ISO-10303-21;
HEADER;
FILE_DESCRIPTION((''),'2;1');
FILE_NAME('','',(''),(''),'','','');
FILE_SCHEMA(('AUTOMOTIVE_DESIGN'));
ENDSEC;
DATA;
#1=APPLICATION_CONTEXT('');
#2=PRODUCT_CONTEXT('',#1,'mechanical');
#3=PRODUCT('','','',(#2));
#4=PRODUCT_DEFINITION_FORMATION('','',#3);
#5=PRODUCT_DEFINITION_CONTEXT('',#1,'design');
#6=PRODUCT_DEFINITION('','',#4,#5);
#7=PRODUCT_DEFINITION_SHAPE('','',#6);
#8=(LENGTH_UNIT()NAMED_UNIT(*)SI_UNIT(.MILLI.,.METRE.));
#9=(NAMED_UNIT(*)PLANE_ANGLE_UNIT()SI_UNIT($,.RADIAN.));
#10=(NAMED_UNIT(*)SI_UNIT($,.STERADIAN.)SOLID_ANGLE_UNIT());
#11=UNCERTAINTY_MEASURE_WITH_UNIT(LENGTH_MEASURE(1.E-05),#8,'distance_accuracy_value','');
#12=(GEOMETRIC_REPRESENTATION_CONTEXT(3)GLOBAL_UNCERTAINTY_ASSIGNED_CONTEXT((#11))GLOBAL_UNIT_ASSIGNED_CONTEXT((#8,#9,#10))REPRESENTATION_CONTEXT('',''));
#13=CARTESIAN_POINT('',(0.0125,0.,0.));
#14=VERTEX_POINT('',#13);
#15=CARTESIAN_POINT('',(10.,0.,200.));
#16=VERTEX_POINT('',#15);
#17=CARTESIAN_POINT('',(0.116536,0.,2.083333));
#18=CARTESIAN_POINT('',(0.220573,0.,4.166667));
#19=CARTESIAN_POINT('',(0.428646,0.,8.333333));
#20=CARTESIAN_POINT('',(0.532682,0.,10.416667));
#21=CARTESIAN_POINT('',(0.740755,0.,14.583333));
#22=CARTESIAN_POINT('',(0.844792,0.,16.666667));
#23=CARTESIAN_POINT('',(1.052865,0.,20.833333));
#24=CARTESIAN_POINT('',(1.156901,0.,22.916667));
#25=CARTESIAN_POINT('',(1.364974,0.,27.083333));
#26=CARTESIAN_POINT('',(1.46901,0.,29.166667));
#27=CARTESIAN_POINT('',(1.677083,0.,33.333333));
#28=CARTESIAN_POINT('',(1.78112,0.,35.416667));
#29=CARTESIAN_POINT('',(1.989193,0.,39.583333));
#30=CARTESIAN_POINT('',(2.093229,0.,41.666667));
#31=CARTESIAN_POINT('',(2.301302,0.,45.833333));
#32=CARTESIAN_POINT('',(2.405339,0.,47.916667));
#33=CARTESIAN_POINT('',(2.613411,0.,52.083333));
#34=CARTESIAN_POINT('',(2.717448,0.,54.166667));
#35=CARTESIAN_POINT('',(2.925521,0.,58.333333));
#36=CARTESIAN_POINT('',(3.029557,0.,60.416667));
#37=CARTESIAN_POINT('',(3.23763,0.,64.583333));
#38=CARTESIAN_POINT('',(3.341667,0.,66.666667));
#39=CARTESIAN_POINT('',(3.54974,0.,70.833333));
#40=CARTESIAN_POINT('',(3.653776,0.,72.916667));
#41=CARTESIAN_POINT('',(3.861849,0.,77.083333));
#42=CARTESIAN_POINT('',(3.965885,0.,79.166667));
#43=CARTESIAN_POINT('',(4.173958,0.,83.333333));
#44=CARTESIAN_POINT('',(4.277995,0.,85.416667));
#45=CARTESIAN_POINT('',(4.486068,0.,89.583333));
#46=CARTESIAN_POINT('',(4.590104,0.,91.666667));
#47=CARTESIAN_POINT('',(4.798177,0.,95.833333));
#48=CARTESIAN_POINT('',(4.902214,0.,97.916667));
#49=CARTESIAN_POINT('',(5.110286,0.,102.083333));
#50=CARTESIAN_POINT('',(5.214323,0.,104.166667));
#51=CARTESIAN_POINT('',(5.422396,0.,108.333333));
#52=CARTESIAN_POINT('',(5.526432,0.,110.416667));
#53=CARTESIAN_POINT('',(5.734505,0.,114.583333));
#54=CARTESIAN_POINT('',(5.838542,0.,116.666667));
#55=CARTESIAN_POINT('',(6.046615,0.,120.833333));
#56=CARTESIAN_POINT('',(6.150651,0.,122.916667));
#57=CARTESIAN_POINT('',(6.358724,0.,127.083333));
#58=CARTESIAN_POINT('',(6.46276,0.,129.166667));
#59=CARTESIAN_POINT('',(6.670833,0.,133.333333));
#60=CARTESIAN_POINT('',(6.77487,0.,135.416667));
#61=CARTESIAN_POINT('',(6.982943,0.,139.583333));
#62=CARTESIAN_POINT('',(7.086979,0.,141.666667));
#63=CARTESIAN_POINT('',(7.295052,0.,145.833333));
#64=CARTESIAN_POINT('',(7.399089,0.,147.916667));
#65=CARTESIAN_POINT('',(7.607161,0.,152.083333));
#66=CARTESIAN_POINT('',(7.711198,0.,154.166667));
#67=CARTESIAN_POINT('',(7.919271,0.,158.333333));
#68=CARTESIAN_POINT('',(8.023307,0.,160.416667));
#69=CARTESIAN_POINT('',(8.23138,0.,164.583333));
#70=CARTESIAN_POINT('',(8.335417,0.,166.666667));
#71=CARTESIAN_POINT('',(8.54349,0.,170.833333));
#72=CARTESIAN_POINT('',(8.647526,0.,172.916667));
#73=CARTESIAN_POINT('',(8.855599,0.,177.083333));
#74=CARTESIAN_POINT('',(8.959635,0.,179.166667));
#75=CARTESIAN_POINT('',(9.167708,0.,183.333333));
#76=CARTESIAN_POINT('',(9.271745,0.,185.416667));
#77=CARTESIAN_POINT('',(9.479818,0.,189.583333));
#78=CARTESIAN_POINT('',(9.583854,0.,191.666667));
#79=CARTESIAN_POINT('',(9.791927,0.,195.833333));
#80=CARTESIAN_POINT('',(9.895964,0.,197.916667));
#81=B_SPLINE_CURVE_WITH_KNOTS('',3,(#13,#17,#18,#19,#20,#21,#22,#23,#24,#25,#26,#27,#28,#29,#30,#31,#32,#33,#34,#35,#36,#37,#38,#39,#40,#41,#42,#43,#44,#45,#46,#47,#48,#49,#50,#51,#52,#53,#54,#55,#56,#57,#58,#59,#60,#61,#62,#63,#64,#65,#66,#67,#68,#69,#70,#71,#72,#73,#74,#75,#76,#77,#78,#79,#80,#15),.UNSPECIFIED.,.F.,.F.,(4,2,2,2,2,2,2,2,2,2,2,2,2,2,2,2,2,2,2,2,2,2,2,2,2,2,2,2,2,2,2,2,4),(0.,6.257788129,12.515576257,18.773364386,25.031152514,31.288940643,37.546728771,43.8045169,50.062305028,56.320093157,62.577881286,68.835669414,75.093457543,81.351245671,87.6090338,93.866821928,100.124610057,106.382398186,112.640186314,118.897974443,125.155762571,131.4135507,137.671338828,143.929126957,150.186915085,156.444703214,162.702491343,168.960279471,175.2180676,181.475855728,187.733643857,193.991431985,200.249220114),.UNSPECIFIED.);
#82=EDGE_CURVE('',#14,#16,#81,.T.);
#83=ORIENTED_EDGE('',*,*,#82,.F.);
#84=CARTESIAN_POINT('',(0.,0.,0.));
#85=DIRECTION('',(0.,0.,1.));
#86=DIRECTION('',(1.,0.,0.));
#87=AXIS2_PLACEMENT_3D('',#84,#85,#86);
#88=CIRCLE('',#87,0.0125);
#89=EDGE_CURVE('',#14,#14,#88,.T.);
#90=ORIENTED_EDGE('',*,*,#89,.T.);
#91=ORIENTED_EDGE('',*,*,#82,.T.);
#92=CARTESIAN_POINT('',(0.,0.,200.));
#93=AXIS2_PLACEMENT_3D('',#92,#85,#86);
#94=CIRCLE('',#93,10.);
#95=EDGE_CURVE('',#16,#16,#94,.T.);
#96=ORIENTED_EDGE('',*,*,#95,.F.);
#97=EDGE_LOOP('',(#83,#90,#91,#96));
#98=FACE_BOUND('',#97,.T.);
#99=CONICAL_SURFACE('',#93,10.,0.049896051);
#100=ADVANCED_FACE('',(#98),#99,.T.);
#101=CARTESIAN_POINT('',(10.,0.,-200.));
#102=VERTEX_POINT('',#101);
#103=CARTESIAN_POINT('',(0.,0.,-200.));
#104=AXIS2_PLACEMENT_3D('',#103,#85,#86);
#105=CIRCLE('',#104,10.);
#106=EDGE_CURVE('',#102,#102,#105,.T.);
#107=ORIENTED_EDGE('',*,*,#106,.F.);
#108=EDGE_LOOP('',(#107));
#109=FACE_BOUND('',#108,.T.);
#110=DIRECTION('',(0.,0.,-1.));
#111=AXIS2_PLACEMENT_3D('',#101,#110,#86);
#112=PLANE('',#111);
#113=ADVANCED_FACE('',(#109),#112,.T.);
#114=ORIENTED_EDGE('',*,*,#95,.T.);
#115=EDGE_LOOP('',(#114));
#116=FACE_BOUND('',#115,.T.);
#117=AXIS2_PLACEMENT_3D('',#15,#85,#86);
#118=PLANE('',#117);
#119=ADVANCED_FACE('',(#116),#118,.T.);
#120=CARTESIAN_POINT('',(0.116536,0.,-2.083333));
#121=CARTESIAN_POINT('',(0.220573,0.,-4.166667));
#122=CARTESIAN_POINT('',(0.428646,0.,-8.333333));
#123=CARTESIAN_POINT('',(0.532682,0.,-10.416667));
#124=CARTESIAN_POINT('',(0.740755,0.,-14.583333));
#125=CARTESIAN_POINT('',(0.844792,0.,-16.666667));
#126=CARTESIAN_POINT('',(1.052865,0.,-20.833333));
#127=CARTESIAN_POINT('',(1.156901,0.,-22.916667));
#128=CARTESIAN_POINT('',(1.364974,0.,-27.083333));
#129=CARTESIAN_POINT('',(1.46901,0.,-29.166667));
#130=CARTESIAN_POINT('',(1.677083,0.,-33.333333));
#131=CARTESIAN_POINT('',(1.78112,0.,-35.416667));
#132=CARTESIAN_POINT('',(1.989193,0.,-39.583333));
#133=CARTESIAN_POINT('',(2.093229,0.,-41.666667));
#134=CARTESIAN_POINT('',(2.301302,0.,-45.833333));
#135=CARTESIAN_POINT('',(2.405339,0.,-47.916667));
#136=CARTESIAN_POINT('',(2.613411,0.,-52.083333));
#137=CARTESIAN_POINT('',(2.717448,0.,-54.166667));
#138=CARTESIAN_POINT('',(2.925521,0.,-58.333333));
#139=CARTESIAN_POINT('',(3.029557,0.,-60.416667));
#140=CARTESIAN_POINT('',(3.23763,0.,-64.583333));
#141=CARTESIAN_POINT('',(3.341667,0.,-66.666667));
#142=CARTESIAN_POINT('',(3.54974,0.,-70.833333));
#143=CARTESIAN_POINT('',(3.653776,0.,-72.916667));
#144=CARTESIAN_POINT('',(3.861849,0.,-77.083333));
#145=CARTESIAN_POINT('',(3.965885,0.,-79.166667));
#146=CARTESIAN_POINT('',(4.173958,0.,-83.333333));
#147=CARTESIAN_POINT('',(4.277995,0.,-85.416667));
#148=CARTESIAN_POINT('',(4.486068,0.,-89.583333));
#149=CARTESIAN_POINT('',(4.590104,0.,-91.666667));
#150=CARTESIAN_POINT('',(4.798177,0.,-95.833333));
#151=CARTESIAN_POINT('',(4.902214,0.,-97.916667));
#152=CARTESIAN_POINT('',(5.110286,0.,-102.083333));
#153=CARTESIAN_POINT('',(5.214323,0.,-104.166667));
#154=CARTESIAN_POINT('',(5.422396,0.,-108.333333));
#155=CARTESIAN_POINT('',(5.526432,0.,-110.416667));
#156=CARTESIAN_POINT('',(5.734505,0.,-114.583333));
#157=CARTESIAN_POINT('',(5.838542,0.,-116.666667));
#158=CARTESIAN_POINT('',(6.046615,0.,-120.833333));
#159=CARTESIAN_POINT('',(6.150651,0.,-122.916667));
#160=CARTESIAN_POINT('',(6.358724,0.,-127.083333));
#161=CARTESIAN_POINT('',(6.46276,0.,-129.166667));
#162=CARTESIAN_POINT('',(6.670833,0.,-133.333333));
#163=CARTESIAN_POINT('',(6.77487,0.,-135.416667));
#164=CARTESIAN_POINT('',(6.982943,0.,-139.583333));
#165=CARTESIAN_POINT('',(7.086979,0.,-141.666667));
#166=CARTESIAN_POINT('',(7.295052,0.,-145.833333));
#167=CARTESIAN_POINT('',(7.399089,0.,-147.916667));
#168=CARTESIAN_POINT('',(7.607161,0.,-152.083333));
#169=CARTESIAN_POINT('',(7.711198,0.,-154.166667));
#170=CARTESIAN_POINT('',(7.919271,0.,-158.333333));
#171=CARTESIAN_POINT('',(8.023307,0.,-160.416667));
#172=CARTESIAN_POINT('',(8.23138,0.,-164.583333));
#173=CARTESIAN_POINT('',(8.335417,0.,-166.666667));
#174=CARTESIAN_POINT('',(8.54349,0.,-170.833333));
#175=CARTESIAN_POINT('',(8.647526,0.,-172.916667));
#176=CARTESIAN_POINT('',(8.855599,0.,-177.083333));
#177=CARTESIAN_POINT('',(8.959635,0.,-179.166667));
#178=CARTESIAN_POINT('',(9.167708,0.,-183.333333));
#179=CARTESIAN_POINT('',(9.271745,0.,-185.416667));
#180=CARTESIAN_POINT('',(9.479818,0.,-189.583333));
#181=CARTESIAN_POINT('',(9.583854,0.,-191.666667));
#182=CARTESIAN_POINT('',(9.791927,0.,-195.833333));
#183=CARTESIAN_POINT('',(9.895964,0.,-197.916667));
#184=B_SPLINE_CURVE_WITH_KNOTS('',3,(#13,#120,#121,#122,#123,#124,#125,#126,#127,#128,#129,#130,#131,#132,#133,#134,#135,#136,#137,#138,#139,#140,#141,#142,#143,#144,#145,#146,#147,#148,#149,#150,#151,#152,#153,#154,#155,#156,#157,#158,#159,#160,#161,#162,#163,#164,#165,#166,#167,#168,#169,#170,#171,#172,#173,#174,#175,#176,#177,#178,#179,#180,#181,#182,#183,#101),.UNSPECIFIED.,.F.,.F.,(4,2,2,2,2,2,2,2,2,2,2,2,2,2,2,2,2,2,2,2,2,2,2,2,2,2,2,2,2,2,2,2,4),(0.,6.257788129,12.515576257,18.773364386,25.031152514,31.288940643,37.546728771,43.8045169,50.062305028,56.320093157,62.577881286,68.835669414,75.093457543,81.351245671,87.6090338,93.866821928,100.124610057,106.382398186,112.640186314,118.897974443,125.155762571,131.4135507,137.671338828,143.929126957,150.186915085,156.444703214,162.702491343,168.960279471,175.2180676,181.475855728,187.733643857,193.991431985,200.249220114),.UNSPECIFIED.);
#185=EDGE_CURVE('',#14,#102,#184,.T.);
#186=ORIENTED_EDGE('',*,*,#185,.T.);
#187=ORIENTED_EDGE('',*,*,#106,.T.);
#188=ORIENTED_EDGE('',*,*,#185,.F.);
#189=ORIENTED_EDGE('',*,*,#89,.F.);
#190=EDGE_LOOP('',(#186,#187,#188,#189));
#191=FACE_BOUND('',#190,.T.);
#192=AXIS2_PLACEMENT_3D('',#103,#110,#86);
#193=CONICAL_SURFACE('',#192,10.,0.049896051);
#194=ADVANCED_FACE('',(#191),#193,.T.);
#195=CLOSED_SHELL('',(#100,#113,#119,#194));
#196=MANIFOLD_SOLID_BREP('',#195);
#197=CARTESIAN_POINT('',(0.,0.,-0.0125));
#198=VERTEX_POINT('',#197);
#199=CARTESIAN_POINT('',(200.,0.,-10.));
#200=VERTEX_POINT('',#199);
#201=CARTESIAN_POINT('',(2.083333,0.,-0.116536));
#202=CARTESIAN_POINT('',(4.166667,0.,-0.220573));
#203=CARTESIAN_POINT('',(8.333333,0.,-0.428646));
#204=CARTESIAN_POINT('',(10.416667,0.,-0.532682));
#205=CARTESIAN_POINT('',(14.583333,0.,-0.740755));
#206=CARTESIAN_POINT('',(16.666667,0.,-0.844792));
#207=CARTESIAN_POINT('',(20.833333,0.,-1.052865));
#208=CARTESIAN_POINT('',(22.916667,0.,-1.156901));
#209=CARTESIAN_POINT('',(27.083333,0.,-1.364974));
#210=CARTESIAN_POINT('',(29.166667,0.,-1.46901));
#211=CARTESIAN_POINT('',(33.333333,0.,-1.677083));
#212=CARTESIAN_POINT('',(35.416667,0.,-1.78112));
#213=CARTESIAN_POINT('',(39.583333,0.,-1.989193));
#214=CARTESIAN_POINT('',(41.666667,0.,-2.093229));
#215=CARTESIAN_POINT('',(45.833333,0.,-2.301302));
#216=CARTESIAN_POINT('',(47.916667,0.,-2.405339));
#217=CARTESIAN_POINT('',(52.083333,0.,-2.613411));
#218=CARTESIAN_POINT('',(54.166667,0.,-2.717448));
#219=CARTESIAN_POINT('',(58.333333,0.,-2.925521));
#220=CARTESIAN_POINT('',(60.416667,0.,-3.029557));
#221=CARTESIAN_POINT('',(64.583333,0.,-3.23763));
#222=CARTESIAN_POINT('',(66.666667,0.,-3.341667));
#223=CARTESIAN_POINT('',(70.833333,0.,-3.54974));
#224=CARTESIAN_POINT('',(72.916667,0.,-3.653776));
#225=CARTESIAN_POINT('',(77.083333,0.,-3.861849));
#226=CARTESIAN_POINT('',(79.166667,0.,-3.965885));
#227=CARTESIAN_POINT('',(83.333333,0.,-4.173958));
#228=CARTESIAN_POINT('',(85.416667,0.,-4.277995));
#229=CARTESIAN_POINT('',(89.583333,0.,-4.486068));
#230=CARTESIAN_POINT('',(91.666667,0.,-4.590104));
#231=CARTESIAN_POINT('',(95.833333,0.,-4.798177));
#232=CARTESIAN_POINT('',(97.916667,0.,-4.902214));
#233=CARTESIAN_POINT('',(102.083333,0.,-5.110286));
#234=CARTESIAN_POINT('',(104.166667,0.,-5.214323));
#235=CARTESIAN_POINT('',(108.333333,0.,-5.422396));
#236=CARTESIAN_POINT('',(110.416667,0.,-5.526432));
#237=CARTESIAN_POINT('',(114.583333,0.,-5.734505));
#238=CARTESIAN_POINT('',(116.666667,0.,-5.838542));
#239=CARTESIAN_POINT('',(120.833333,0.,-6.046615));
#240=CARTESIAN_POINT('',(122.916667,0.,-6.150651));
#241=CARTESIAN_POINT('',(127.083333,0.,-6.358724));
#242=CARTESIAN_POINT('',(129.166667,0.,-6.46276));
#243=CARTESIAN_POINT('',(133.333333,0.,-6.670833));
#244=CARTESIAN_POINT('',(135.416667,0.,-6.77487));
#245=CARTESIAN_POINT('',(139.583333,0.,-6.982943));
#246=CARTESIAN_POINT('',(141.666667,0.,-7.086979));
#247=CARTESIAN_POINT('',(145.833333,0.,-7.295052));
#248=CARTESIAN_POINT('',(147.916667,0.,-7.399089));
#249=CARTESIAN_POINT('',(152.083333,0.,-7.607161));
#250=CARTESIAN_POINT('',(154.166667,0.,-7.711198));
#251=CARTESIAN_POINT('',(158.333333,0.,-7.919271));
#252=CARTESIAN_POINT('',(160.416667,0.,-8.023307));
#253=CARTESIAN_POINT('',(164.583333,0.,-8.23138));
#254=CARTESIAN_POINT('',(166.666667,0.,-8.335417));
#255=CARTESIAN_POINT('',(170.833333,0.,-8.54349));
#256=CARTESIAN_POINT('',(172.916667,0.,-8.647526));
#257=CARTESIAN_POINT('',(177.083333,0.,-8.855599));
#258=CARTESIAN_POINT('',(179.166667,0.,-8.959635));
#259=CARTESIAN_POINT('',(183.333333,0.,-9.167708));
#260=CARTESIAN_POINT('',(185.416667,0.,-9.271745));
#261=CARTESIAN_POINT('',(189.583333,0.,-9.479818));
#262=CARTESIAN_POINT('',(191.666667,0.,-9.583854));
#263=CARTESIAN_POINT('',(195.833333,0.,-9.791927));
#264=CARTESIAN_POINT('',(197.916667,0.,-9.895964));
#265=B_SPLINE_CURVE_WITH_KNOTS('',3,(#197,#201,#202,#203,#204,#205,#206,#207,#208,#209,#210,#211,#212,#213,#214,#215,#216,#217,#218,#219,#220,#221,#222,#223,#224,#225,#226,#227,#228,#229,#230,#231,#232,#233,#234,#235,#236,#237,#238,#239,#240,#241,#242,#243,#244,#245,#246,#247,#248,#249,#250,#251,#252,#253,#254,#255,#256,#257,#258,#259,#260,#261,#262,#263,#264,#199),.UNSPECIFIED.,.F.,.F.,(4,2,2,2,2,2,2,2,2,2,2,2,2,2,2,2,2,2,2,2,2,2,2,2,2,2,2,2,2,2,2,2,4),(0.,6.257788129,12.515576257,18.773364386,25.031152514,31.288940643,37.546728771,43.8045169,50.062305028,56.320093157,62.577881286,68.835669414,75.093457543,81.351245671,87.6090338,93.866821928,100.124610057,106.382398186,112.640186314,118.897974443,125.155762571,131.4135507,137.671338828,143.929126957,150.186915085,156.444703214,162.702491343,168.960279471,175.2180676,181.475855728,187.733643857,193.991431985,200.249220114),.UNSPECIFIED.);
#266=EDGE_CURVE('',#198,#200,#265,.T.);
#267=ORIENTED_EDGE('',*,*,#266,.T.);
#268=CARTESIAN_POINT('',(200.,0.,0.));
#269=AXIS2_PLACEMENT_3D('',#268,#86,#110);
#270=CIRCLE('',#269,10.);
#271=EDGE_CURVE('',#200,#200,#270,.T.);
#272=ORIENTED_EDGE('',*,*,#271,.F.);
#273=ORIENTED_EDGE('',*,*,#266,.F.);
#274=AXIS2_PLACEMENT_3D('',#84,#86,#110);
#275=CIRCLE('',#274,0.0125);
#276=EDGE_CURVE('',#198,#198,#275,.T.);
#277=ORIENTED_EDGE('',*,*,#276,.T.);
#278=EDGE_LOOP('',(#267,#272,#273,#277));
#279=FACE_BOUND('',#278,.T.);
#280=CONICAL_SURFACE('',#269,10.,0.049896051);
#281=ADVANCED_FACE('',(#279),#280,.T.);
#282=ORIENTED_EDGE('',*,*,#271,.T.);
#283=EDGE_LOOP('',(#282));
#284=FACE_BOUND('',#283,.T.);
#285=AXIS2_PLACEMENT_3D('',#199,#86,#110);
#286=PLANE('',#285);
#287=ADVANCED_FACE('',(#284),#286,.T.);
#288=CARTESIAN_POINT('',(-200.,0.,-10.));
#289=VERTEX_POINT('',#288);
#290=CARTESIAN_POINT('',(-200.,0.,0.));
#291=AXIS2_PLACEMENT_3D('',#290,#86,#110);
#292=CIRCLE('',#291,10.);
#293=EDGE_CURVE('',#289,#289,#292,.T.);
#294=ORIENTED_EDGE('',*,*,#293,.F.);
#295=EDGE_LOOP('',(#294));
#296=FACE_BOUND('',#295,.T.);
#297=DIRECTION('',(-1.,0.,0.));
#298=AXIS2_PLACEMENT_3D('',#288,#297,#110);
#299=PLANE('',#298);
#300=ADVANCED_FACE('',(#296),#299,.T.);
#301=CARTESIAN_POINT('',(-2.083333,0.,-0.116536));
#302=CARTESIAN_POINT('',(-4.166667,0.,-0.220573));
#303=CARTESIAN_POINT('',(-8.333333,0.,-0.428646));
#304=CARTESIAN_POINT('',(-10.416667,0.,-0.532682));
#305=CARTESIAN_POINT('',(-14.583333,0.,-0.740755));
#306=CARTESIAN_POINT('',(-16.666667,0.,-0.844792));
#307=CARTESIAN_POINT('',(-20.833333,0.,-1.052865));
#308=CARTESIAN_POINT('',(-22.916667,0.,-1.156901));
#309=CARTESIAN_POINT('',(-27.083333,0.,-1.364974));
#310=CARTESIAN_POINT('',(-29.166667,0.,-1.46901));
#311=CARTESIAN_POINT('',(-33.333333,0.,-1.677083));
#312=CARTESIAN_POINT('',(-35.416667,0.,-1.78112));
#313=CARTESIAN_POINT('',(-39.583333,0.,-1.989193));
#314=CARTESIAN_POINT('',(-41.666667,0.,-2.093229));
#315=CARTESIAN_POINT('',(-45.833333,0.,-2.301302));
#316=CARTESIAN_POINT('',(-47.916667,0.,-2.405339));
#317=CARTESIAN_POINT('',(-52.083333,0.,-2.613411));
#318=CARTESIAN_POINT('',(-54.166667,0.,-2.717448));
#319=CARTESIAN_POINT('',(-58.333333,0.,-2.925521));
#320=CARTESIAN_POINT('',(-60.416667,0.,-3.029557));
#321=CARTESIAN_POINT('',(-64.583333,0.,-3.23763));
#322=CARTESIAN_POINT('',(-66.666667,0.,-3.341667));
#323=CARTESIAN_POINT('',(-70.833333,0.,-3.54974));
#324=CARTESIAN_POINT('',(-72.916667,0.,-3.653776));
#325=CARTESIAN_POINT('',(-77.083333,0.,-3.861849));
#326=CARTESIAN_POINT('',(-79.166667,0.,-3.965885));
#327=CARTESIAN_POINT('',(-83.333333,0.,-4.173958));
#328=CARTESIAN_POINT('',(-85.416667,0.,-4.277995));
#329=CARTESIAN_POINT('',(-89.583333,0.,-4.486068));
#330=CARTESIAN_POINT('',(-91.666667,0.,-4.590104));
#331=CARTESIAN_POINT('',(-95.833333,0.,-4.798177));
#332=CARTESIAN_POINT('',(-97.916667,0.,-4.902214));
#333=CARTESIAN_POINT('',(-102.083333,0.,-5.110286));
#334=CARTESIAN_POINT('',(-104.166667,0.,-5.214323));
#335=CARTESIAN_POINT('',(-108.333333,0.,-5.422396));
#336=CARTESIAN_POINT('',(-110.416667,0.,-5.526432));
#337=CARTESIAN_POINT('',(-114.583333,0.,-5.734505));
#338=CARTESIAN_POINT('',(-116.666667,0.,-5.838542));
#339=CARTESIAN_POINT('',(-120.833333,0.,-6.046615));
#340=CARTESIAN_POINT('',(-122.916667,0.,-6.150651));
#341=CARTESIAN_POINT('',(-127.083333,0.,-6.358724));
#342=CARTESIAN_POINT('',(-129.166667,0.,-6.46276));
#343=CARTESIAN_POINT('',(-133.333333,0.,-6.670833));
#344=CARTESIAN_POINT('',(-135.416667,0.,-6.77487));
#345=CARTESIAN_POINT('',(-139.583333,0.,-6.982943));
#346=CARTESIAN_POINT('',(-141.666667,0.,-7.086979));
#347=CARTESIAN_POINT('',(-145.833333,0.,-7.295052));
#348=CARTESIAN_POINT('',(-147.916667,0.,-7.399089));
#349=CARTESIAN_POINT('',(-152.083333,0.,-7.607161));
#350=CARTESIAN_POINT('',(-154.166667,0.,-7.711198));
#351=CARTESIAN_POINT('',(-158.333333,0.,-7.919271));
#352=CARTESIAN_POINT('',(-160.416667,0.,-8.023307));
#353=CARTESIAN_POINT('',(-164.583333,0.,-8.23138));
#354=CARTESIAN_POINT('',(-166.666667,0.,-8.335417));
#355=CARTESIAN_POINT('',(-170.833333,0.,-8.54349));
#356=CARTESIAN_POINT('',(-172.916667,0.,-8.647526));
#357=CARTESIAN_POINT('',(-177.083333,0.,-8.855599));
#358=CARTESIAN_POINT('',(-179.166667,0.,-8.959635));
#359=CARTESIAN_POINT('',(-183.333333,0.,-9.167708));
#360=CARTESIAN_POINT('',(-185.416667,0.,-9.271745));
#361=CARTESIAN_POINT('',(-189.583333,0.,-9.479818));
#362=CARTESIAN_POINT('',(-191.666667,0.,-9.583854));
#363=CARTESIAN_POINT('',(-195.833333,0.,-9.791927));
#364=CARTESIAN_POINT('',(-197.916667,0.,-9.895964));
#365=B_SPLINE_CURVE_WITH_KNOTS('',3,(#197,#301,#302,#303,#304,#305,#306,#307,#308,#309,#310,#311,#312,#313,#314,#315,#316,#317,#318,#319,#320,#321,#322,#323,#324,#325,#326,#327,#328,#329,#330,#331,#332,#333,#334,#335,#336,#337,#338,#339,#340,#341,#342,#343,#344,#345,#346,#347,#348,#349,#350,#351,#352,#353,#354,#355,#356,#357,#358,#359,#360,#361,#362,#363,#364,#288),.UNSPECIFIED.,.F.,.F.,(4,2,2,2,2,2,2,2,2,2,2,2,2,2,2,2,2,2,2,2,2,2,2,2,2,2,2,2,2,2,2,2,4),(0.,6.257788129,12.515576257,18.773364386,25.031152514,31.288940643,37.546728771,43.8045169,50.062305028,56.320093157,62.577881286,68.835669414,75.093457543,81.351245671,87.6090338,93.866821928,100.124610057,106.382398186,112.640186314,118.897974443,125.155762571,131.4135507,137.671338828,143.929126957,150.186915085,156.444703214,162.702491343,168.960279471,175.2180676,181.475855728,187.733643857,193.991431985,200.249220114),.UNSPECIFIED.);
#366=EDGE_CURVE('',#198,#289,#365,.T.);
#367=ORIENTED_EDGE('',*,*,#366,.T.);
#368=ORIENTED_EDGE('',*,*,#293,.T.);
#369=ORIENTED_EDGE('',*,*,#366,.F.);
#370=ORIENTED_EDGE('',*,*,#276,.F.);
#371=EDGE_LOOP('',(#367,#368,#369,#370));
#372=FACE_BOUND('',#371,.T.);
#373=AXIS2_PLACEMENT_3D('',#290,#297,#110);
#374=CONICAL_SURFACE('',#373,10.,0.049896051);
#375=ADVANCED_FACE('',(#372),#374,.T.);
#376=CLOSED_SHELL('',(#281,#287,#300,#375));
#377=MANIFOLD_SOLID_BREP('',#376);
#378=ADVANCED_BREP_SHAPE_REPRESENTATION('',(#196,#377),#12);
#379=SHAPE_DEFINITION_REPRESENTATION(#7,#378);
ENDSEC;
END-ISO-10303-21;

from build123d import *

# Parameters (mm, degrees)
PATTERN_CIRCULAR_3_COUNT = 2
PATTERN_CIRCULAR_3_ANGLE = 90


with BuildPart() as part:
    # 草图2 → 旋转5 (revolve)
    with BuildSketch(Plane(origin=(0, 0, 0), x_dir=(1, 0, 0), z_dir=(0, 1, 0))):
        Polygon((0, 0), (0, 0.0125), (200, 10), (200, 0), align=None)
    revolve_5 = revolve(axis=Axis((200, 0, 0), (-1, 0, 0)))

    # 镜向1: 旋转5 across Right Plane
    add(revolve_5.mirror(Plane(origin=(0, 0, 0), x_dir=(0, 0, -1), z_dir=(1, 0, 0))))


with BuildPart() as pattern_circular_3_1:
    # 阵列(圆周)3: pattern copy
    add(part.part.rotate(Axis((0, 1.112434979, 0), (0, -1, 0)), 1 * PATTERN_CIRCULAR_3_ANGLE / (PATTERN_CIRCULAR_3_COUNT - 1)))


solid = Compound([part.part, pattern_circular_3_1.part])
